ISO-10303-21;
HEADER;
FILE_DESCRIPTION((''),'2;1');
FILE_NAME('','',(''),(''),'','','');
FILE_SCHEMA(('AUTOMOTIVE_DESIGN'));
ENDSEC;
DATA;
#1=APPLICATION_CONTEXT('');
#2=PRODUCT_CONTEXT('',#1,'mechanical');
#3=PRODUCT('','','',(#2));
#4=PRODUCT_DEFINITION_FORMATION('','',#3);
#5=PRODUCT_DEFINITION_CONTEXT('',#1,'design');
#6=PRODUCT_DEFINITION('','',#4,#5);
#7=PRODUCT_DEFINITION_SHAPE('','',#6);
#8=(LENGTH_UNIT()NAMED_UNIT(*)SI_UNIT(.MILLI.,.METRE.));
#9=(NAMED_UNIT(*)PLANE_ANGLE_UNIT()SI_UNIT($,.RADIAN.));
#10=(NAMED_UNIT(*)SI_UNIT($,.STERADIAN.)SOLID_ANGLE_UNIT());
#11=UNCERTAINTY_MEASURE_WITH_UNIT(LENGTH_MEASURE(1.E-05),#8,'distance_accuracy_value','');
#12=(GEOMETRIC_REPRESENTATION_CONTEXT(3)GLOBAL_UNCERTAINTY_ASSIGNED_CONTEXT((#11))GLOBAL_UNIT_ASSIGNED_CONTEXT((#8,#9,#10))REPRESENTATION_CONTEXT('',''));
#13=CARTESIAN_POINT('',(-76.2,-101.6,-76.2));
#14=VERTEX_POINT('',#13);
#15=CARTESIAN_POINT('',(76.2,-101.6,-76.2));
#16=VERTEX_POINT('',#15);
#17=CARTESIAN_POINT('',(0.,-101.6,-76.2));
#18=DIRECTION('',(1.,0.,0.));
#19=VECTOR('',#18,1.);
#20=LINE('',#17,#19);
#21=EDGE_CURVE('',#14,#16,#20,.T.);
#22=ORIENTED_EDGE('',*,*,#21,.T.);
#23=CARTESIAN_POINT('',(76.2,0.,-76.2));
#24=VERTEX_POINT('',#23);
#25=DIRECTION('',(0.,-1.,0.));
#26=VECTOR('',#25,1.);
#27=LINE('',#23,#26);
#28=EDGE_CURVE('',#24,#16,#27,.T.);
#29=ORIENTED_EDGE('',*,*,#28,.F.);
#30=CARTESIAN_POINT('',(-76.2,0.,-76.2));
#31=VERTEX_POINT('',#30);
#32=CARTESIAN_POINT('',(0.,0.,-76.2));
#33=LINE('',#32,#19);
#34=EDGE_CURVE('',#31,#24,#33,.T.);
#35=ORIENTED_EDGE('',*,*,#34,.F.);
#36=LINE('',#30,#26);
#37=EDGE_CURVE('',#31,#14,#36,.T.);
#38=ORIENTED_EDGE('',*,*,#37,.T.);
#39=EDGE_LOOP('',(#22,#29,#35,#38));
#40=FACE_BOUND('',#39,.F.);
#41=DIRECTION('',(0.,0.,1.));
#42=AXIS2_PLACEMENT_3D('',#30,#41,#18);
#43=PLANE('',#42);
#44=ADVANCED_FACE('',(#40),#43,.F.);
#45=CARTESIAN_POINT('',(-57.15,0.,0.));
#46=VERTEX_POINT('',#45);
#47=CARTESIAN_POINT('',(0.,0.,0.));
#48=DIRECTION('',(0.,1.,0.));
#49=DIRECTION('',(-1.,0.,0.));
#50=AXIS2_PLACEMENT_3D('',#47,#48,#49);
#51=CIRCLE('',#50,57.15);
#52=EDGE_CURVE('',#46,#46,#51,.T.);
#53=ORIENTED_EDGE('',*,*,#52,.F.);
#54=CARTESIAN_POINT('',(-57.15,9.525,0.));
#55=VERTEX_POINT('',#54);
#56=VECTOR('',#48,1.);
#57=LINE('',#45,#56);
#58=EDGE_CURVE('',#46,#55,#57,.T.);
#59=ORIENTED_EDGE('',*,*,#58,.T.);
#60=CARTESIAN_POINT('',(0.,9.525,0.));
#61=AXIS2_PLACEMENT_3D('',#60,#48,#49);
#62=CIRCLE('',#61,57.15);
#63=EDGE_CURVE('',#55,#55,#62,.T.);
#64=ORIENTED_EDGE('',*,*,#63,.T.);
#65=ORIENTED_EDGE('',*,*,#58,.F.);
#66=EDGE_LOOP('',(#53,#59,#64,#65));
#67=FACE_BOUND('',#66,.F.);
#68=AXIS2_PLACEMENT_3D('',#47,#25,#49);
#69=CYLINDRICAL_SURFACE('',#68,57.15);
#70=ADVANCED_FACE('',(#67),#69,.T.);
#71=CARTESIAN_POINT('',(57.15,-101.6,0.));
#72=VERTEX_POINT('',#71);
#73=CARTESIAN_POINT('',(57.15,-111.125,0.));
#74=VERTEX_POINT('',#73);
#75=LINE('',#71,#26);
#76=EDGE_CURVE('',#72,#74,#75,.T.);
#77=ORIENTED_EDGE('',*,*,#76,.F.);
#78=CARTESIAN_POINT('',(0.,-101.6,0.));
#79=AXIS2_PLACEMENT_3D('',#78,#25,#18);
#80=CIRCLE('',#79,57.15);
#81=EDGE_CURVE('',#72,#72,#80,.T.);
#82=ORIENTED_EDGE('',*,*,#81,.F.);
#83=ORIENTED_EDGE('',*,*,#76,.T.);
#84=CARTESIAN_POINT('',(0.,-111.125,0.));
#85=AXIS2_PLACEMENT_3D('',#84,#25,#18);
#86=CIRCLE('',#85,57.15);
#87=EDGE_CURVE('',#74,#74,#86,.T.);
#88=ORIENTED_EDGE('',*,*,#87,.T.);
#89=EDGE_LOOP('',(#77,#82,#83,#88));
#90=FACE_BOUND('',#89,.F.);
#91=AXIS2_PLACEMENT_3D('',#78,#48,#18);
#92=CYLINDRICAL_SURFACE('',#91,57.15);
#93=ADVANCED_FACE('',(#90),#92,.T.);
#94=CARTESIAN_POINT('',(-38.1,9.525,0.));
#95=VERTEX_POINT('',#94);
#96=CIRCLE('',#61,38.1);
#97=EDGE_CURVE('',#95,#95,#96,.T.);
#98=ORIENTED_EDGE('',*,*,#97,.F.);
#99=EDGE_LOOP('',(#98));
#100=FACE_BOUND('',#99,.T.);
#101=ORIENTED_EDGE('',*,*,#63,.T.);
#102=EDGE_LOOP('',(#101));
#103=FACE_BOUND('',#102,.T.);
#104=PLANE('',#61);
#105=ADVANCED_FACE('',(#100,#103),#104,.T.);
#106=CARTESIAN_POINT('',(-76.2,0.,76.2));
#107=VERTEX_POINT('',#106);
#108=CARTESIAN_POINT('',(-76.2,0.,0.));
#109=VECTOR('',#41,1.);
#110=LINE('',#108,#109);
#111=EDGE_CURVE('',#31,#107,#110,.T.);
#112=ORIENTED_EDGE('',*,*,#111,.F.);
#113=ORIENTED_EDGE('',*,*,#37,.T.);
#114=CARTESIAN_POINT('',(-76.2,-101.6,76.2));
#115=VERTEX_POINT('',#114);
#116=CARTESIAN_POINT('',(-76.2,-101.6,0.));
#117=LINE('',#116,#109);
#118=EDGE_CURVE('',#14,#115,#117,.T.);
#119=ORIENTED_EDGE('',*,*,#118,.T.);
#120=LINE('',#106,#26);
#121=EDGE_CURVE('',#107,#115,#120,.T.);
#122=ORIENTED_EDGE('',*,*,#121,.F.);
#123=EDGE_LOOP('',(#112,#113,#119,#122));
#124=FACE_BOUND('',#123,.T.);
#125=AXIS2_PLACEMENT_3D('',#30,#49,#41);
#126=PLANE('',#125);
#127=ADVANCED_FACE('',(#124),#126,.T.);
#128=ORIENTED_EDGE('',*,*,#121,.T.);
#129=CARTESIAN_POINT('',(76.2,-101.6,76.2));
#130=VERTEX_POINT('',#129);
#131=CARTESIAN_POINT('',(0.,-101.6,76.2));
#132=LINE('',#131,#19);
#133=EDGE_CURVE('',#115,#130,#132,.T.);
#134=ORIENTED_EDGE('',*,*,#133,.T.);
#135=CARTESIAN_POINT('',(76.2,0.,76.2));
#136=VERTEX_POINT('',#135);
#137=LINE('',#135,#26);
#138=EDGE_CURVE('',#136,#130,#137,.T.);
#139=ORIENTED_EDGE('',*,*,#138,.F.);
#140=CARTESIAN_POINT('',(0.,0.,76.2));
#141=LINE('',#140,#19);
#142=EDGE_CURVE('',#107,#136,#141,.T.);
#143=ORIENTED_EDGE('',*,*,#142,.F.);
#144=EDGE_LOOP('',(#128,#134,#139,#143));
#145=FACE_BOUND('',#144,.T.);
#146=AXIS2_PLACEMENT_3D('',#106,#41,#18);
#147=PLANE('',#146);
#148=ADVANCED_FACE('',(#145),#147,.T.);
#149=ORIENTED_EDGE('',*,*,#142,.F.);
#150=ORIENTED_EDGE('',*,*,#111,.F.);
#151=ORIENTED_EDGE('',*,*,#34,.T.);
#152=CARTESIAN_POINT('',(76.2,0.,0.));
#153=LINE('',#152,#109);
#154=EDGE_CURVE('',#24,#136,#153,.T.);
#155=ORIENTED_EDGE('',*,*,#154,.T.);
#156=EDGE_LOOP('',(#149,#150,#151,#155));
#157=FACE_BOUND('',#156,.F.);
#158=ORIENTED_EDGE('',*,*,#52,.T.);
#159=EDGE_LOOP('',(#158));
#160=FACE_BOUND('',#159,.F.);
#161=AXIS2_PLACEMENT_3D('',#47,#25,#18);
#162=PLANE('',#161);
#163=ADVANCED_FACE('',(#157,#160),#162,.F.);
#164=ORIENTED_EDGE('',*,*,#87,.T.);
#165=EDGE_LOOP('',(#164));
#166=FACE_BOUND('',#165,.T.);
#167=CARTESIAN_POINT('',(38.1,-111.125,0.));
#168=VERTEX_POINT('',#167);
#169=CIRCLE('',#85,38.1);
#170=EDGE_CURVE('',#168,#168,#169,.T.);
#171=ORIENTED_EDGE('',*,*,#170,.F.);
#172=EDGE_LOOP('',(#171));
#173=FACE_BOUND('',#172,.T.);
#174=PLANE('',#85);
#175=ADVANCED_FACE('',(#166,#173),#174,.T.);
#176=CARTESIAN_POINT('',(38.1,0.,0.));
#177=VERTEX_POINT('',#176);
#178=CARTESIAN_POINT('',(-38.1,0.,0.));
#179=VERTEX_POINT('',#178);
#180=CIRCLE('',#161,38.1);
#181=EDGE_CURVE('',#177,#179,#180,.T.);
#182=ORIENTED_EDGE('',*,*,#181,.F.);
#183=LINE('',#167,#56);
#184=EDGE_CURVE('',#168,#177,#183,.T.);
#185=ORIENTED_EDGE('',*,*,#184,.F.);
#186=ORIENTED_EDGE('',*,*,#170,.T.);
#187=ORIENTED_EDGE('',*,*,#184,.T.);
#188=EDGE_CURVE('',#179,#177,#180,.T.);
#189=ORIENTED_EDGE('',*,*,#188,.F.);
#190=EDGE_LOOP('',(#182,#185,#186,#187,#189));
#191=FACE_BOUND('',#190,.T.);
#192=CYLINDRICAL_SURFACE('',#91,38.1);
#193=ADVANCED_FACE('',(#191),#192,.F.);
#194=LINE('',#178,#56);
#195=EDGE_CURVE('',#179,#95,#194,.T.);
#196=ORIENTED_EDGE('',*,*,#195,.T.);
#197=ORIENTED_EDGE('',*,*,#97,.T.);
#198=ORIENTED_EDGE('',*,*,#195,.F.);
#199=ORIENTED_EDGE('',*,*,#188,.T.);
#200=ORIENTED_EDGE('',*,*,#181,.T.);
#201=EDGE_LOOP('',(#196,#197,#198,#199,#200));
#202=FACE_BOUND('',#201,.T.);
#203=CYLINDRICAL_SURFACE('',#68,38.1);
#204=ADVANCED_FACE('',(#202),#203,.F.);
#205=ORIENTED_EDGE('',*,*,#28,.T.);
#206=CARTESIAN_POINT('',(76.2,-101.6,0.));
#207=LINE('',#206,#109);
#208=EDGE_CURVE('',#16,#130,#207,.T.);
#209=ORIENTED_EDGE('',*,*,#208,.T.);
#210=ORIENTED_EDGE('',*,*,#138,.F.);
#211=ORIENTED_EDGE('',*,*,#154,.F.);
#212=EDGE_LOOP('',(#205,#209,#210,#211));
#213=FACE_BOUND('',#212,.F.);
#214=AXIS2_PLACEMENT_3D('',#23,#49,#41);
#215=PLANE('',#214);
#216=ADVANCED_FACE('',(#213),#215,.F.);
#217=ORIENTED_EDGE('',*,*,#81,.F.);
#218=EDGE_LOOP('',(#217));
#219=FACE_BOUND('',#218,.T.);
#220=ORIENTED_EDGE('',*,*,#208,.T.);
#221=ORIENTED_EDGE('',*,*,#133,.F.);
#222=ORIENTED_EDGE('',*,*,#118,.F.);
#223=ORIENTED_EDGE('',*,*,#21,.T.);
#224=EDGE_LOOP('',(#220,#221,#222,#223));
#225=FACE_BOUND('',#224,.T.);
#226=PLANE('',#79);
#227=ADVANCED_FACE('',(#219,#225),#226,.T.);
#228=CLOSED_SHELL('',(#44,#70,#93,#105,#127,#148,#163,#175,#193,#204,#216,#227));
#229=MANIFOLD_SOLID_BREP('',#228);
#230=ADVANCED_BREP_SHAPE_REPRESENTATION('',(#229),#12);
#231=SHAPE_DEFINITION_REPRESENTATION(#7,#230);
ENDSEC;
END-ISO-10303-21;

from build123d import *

# Parameters (mm, degrees)
F0_W     = 152.4
F0_H     = 152.4
F0_R     = 38.1
F1_DEPTH = 101.6
F2_R     = 57.15
F2_R_2   = 38.1
F3_DEPTH = 9.525
F4_R     = 57.15
F4_R_2   = 38.1
F5_DEPTH = 9.525


with BuildPart() as f1:
    # F0 (on Front) → F1 (new body)
    with BuildSketch(Plane.XZ):
        Rectangle(F0_W, F0_H)
        Circle(F0_R, mode=Mode.SUBTRACT)
    extrude(amount=F1_DEPTH)

    # F2 (on face) → F3 (join)
    with BuildSketch(Plane.XZ.offset(101.6)):
        Circle(F2_R)
        Circle(F2_R_2, mode=Mode.SUBTRACT)
    extrude(amount=F3_DEPTH)

    # F4 (on face) → F5 (join)
    with BuildSketch(Plane(origin=(0, 0, 0), x_dir=(-1, 0, 0), z_dir=(0, 1, 0))):
        Circle(F4_R)
        Circle(F4_R_2, mode=Mode.SUBTRACT)
    extrude(amount=F5_DEPTH)


solid = f1.part
